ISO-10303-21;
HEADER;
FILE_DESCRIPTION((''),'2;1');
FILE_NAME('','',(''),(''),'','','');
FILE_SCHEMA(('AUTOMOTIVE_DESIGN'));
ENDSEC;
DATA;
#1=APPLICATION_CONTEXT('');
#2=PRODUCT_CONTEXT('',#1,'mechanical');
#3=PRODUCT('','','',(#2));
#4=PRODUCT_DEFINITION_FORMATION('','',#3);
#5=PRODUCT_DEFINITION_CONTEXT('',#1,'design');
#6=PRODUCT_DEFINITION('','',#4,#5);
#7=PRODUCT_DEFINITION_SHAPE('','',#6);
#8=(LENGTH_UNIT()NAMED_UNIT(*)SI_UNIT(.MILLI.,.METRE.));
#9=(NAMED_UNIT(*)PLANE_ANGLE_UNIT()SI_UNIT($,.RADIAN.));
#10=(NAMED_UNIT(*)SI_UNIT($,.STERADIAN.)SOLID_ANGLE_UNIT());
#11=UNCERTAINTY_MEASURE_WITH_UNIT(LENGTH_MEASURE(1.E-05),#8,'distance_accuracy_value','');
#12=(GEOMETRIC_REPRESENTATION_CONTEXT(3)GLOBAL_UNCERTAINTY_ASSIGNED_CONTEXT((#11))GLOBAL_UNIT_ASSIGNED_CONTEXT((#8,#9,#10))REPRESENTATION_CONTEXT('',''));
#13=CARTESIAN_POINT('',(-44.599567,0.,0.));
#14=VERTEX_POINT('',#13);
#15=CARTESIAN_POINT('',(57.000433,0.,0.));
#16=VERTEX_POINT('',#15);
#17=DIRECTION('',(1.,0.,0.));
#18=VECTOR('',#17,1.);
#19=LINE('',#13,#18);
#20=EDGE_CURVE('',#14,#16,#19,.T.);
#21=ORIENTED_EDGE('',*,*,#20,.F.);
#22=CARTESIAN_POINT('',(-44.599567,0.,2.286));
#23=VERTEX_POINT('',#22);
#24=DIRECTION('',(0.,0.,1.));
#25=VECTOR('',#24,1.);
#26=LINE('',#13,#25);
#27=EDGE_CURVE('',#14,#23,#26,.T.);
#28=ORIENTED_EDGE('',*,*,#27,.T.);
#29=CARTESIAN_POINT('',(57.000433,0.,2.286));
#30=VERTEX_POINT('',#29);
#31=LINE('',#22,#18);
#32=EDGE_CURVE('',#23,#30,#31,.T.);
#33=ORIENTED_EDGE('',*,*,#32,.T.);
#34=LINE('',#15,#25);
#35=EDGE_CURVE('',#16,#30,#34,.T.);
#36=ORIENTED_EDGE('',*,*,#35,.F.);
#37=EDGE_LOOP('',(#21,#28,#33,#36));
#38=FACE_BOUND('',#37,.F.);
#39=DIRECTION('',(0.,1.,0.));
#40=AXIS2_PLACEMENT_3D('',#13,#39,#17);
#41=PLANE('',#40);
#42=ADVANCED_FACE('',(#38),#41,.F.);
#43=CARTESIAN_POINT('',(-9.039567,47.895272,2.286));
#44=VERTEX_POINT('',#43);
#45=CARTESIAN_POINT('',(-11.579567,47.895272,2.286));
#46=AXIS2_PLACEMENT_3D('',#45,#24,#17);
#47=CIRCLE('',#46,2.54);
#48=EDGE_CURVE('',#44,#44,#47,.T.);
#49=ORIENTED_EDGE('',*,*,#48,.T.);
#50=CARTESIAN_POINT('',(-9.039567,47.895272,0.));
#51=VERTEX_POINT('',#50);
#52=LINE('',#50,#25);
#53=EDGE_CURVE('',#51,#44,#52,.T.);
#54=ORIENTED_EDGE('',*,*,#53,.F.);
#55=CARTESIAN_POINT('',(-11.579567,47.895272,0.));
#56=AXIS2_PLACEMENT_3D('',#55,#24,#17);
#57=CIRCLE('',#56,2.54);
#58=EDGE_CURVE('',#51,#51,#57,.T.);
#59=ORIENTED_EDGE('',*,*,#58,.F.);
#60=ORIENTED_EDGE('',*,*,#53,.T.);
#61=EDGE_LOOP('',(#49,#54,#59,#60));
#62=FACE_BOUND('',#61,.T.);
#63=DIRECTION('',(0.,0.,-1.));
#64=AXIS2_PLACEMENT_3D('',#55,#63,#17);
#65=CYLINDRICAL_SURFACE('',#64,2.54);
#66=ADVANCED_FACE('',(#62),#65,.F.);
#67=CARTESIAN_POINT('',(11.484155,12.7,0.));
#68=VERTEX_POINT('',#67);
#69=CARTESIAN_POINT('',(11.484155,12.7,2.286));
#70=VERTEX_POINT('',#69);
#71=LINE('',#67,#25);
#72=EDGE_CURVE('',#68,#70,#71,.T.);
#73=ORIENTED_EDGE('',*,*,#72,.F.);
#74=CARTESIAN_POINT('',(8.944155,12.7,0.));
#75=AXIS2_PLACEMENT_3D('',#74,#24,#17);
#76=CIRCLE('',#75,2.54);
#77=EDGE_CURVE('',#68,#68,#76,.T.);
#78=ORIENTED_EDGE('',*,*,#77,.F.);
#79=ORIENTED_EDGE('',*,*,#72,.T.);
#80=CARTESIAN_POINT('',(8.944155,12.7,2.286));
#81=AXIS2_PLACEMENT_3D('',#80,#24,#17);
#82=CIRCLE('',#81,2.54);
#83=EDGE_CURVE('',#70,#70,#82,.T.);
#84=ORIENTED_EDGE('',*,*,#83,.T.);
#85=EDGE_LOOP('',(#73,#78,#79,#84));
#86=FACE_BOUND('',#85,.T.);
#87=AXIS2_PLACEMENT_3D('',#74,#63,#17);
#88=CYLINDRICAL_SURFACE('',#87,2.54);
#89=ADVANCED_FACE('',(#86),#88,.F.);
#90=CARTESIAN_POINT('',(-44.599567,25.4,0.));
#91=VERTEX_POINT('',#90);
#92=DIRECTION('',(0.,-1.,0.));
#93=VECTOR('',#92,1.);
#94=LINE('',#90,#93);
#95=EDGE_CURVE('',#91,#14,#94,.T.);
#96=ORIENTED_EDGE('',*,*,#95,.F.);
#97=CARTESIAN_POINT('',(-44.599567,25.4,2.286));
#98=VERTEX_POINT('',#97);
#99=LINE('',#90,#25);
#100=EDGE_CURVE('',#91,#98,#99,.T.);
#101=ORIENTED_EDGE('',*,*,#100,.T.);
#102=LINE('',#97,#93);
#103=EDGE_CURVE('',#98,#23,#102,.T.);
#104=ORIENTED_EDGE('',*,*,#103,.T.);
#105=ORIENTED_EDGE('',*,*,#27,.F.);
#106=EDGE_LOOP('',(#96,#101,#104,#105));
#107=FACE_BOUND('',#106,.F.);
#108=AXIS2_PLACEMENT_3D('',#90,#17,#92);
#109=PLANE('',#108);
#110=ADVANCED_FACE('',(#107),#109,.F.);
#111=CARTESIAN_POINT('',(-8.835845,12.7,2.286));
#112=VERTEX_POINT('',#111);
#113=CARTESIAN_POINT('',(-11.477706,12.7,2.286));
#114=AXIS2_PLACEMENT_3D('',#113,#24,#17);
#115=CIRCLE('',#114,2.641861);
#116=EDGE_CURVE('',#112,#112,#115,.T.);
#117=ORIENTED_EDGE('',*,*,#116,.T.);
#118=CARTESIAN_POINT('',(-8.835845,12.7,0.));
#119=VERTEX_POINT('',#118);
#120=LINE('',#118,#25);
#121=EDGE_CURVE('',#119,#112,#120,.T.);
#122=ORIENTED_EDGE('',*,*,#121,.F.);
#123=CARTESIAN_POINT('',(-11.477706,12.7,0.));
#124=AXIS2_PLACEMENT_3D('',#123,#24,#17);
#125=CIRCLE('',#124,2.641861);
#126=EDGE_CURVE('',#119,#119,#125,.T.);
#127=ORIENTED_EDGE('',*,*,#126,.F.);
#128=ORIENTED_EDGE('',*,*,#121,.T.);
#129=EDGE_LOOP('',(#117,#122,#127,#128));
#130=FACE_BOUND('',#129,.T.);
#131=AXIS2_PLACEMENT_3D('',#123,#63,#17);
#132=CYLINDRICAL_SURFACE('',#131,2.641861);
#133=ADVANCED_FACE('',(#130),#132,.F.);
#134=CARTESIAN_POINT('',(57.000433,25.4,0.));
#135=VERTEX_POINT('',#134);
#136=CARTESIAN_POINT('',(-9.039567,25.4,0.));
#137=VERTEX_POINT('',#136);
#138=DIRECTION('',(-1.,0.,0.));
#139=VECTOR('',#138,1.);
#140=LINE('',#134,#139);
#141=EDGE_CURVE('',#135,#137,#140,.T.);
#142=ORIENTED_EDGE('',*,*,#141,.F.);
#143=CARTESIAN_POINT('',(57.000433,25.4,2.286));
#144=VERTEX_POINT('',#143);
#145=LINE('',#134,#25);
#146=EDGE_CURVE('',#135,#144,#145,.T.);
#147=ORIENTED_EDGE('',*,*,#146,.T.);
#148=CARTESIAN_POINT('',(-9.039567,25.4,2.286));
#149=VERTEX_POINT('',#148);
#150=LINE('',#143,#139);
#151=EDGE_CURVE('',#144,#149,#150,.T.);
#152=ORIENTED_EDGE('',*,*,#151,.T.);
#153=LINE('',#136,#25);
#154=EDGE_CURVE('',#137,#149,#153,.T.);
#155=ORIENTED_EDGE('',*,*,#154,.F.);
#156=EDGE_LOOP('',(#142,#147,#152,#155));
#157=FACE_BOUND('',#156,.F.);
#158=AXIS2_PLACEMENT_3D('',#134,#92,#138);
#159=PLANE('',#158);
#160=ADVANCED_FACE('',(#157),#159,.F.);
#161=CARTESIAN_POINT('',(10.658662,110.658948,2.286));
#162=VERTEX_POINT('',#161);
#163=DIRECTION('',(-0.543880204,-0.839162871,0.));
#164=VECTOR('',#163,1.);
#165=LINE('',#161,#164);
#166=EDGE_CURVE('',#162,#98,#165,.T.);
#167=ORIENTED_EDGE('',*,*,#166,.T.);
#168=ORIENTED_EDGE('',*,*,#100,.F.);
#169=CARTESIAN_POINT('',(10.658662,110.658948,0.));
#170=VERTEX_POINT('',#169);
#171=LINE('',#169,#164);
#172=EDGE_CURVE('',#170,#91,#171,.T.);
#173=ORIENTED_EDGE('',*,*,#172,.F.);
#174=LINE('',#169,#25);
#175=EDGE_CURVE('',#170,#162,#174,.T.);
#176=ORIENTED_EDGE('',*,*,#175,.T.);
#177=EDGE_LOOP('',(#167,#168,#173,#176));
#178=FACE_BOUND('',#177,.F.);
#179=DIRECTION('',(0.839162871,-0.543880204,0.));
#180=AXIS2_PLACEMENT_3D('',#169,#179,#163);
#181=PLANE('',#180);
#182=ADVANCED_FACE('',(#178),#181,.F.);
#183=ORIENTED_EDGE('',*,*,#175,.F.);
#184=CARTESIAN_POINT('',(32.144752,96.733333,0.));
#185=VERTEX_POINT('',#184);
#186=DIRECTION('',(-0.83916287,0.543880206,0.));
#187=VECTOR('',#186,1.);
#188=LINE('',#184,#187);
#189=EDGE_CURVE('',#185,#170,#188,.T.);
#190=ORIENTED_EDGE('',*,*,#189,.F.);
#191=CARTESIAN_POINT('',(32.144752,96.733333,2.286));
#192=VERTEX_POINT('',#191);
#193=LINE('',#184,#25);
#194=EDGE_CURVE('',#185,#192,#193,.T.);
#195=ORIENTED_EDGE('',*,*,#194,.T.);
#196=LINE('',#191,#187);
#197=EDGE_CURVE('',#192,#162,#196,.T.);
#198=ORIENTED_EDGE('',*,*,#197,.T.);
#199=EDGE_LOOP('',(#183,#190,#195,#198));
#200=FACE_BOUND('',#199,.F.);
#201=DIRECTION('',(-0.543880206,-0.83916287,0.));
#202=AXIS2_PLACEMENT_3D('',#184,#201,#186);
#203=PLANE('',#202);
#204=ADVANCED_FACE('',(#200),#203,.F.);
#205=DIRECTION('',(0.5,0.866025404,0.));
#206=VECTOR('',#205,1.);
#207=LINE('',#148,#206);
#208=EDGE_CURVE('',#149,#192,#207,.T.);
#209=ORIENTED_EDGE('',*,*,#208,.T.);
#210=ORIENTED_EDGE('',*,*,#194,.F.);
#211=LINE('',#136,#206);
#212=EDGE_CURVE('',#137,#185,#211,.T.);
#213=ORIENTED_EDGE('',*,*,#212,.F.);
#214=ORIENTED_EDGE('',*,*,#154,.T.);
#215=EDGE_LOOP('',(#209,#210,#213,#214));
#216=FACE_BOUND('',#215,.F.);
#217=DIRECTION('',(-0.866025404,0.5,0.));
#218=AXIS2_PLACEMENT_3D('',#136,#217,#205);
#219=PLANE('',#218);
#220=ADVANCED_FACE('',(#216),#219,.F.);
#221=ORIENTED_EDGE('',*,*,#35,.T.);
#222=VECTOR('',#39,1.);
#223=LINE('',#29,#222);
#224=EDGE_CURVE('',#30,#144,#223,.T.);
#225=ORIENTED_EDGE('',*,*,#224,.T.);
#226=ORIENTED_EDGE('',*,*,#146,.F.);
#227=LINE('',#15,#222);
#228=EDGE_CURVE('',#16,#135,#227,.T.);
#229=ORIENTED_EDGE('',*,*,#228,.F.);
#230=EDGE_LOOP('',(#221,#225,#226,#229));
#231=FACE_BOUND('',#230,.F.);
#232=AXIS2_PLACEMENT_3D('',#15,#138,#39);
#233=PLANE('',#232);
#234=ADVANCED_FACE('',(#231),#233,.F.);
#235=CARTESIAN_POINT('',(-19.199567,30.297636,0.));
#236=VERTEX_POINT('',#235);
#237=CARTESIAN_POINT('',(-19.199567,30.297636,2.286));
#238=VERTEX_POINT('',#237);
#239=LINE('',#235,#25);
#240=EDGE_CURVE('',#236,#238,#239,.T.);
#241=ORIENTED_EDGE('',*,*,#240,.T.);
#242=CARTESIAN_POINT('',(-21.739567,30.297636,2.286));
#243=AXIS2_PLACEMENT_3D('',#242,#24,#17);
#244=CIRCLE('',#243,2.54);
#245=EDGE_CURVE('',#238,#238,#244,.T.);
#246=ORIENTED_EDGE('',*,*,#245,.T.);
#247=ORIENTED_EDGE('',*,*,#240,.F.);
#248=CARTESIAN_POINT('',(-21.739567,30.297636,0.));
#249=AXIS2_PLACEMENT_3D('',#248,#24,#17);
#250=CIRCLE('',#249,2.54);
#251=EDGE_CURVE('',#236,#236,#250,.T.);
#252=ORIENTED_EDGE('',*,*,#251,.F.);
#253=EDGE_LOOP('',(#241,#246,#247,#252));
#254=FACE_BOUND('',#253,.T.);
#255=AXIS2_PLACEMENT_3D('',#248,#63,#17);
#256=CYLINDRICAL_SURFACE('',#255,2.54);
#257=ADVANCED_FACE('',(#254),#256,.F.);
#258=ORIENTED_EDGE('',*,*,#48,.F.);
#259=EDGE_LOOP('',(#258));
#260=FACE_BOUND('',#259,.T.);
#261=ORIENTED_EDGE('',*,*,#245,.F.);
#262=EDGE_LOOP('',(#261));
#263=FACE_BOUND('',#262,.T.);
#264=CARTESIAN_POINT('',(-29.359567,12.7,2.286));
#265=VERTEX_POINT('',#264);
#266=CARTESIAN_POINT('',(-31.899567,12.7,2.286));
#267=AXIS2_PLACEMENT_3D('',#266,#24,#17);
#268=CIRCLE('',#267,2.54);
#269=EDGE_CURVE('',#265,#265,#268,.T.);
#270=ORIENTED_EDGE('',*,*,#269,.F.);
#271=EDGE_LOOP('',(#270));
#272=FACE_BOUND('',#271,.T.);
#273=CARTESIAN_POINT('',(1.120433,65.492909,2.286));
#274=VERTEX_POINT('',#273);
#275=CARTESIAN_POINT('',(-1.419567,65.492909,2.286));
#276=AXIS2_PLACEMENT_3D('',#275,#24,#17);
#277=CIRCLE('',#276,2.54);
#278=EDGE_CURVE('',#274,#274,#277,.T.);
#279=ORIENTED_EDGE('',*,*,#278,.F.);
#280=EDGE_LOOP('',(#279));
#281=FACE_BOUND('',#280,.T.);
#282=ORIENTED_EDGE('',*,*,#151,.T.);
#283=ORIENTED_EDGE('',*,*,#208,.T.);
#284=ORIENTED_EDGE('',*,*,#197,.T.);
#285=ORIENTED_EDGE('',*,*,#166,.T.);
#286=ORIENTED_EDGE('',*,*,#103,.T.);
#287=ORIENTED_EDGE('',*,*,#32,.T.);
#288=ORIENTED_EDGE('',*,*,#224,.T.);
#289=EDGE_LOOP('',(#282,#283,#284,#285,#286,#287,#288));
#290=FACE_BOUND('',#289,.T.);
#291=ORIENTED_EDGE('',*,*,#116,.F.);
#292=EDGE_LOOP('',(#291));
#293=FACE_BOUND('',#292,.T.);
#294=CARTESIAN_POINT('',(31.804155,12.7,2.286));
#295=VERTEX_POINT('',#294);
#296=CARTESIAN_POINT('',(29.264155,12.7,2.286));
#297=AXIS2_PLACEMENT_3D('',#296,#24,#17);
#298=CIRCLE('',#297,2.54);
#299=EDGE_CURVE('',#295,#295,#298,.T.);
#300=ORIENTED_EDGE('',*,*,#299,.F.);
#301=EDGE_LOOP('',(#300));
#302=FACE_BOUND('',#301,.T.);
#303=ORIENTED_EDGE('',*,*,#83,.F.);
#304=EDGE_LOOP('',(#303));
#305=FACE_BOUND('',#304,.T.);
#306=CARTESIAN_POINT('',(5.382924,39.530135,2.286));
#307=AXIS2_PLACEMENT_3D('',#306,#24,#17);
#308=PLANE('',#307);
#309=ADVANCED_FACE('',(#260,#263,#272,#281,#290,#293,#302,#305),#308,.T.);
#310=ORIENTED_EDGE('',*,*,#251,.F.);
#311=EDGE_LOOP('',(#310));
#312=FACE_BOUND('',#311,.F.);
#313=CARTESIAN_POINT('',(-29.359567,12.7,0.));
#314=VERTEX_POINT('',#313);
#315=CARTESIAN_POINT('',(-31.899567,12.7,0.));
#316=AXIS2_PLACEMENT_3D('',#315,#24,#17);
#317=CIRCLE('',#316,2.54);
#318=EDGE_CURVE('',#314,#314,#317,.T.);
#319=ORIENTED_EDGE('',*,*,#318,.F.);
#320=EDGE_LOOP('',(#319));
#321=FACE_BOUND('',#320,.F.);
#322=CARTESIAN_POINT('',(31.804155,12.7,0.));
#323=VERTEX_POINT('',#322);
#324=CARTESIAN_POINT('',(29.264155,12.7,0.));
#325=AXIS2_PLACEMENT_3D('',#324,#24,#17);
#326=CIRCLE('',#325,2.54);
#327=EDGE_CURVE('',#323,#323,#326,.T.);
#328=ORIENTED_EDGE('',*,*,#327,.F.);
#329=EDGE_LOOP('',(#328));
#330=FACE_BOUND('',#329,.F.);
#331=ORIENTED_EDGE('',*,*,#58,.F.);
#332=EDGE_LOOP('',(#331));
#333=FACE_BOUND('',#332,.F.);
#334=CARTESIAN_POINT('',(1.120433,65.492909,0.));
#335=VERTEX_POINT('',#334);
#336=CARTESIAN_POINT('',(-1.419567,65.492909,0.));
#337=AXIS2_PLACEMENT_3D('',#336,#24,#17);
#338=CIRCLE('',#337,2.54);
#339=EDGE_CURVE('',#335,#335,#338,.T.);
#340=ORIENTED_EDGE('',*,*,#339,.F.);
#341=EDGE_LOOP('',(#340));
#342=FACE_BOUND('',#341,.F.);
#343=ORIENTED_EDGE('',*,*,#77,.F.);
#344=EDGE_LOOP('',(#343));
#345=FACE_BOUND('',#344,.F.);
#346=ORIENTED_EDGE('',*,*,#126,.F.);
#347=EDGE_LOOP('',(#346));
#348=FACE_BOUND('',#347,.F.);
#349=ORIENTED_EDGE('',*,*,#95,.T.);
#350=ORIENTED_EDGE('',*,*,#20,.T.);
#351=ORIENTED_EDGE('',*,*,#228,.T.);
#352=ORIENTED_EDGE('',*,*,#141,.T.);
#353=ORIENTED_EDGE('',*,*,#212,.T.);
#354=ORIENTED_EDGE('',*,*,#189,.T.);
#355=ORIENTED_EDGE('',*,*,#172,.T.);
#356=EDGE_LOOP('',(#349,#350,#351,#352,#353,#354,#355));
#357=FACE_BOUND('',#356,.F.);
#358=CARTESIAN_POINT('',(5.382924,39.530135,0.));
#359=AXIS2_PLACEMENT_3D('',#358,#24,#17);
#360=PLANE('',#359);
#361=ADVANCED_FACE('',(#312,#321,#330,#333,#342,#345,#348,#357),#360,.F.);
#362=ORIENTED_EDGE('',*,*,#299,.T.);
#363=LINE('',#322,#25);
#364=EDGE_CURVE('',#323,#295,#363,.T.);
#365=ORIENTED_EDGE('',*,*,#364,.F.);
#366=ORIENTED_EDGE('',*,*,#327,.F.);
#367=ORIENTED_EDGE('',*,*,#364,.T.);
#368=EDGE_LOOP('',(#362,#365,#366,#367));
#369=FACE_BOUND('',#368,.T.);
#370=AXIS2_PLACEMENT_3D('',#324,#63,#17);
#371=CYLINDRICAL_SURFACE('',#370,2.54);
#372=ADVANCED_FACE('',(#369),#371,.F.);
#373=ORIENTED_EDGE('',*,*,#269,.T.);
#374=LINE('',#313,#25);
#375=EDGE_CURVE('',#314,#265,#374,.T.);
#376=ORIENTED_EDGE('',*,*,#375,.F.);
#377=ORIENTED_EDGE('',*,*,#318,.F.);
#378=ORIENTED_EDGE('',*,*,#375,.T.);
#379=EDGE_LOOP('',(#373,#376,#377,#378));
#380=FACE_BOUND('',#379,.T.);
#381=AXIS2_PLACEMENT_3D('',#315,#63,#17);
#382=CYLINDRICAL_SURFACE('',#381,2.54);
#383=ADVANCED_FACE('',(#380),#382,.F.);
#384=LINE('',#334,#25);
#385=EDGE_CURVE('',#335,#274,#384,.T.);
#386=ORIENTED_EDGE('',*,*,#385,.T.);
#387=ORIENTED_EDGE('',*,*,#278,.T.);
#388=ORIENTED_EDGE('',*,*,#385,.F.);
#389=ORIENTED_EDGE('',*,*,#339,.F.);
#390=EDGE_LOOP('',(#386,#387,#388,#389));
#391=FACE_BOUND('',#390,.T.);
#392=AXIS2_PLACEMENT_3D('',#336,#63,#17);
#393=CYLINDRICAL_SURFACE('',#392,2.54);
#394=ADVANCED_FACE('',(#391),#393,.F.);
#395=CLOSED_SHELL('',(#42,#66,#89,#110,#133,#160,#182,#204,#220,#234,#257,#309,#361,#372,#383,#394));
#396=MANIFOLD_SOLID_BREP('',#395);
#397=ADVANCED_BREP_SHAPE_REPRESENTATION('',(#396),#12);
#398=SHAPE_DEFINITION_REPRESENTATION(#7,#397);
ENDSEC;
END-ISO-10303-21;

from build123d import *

# Parameters (mm, degrees)
F0_R     = 2.54
F0_R_2   = 2.641861
F1_DEPTH = 2.286


with BuildPart() as f1:
    # F0 (on Top) → F1 (new body)
    with BuildSketch(Plane.XY):
        Polygon((-44.599567, 25.4), (-44.599567, 0), (57.000433, 0), (57.000433, 25.4), (-9.039567, 25.4), (32.144752, 96.733333), (10.658662, 110.658948), align=None)
        with Locations((-31.899567, 12.7)):
            Circle(F0_R, mode=Mode.SUBTRACT)
        with Locations((-11.477706, 12.7)):
            Circle(F0_R_2, mode=Mode.SUBTRACT)
        with Locations((-21.739567, 30.297636)):
            Circle(F0_R, mode=Mode.SUBTRACT)
        with Locations((-11.579567, 47.895272)):
            Circle(F0_R, mode=Mode.SUBTRACT)
        with Locations((8.944155, 12.7)):
            Circle(F0_R, mode=Mode.SUBTRACT)
        with Locations((29.264155, 12.7)):
            Circle(F0_R, mode=Mode.SUBTRACT)
        with Locations((-1.419567, 65.492909)):
            Circle(F0_R, mode=Mode.SUBTRACT)
    extrude(amount=F1_DEPTH)


solid = f1.part
